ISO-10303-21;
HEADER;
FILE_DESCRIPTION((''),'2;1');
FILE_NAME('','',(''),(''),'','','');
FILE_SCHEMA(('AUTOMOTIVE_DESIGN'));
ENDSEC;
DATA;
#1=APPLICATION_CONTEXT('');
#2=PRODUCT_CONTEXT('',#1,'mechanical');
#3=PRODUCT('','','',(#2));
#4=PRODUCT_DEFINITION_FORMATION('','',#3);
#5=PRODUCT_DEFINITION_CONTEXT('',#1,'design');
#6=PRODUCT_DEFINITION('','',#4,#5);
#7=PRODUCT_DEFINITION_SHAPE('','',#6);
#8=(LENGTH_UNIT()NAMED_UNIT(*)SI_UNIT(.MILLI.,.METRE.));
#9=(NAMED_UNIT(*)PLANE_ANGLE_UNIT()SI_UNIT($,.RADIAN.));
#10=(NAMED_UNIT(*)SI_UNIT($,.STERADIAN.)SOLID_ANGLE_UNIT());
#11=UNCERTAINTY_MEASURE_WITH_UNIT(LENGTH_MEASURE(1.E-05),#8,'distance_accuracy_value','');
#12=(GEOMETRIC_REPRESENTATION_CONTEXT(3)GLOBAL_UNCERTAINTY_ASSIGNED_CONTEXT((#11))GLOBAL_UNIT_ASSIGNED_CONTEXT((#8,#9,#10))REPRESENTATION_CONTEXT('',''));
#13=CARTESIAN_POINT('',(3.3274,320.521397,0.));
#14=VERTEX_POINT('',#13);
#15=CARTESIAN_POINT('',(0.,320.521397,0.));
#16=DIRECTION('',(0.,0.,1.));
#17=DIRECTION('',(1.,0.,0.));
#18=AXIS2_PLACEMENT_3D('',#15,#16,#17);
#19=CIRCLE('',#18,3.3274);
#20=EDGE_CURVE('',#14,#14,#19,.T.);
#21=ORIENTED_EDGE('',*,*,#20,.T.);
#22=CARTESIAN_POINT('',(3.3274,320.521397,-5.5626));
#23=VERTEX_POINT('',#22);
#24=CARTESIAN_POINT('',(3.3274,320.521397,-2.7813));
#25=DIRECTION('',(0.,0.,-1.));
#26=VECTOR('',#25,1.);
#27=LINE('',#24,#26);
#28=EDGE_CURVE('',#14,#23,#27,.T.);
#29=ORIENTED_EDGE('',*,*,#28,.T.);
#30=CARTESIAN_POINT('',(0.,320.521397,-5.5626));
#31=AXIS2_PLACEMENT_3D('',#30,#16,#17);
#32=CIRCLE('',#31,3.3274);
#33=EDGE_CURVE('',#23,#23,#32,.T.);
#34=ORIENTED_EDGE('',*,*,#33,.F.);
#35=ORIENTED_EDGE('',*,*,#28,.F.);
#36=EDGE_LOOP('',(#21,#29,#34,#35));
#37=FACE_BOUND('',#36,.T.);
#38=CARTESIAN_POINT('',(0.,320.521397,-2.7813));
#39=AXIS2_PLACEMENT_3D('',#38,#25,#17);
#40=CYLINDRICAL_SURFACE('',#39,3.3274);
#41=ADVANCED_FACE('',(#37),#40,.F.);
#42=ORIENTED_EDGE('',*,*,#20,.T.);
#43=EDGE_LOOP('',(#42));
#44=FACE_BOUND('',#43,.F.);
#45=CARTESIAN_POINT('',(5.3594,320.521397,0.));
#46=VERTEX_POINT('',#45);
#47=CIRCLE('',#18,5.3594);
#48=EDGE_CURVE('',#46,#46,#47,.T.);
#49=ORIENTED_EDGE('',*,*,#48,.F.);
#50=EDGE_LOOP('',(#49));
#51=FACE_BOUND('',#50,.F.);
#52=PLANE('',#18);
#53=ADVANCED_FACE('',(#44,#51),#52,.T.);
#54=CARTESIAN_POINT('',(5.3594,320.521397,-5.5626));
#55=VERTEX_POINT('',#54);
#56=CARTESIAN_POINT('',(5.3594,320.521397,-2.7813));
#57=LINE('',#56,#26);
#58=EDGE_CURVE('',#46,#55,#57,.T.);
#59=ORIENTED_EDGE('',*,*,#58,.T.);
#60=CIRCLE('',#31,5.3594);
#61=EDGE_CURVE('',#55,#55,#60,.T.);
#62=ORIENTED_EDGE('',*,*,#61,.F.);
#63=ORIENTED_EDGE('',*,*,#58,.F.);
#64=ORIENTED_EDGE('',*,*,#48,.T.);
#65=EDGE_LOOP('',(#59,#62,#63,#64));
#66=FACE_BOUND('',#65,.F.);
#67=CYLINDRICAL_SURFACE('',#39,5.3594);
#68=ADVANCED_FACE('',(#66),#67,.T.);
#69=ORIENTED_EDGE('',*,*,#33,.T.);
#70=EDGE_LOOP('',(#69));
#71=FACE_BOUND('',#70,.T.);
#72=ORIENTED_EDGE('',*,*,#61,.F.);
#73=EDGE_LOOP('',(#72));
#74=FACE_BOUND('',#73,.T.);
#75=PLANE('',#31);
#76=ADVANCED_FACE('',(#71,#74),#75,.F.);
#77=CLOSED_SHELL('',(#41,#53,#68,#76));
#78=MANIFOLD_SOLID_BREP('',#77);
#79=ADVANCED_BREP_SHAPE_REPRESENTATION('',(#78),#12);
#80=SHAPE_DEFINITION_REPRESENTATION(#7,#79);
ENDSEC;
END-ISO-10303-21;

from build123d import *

# Parameters (mm, degrees)
SKETCH1_W = 2.032
SKETCH1_H = 5.5626


with BuildPart() as part:
    # Sketch1 → Revolve1 (revolve)
    with BuildSketch(Plane(origin=(0, 320.521396786, 0), x_dir=(1, 0, 0), z_dir=(0, 1, 0))):
        with Locations((4.3434, 2.7813)):
            Rectangle(SKETCH1_W, SKETCH1_H)
    revolve(axis=Axis((0, 320.521396786, -5.5626), (0, 0, 1)))


solid = part.part
